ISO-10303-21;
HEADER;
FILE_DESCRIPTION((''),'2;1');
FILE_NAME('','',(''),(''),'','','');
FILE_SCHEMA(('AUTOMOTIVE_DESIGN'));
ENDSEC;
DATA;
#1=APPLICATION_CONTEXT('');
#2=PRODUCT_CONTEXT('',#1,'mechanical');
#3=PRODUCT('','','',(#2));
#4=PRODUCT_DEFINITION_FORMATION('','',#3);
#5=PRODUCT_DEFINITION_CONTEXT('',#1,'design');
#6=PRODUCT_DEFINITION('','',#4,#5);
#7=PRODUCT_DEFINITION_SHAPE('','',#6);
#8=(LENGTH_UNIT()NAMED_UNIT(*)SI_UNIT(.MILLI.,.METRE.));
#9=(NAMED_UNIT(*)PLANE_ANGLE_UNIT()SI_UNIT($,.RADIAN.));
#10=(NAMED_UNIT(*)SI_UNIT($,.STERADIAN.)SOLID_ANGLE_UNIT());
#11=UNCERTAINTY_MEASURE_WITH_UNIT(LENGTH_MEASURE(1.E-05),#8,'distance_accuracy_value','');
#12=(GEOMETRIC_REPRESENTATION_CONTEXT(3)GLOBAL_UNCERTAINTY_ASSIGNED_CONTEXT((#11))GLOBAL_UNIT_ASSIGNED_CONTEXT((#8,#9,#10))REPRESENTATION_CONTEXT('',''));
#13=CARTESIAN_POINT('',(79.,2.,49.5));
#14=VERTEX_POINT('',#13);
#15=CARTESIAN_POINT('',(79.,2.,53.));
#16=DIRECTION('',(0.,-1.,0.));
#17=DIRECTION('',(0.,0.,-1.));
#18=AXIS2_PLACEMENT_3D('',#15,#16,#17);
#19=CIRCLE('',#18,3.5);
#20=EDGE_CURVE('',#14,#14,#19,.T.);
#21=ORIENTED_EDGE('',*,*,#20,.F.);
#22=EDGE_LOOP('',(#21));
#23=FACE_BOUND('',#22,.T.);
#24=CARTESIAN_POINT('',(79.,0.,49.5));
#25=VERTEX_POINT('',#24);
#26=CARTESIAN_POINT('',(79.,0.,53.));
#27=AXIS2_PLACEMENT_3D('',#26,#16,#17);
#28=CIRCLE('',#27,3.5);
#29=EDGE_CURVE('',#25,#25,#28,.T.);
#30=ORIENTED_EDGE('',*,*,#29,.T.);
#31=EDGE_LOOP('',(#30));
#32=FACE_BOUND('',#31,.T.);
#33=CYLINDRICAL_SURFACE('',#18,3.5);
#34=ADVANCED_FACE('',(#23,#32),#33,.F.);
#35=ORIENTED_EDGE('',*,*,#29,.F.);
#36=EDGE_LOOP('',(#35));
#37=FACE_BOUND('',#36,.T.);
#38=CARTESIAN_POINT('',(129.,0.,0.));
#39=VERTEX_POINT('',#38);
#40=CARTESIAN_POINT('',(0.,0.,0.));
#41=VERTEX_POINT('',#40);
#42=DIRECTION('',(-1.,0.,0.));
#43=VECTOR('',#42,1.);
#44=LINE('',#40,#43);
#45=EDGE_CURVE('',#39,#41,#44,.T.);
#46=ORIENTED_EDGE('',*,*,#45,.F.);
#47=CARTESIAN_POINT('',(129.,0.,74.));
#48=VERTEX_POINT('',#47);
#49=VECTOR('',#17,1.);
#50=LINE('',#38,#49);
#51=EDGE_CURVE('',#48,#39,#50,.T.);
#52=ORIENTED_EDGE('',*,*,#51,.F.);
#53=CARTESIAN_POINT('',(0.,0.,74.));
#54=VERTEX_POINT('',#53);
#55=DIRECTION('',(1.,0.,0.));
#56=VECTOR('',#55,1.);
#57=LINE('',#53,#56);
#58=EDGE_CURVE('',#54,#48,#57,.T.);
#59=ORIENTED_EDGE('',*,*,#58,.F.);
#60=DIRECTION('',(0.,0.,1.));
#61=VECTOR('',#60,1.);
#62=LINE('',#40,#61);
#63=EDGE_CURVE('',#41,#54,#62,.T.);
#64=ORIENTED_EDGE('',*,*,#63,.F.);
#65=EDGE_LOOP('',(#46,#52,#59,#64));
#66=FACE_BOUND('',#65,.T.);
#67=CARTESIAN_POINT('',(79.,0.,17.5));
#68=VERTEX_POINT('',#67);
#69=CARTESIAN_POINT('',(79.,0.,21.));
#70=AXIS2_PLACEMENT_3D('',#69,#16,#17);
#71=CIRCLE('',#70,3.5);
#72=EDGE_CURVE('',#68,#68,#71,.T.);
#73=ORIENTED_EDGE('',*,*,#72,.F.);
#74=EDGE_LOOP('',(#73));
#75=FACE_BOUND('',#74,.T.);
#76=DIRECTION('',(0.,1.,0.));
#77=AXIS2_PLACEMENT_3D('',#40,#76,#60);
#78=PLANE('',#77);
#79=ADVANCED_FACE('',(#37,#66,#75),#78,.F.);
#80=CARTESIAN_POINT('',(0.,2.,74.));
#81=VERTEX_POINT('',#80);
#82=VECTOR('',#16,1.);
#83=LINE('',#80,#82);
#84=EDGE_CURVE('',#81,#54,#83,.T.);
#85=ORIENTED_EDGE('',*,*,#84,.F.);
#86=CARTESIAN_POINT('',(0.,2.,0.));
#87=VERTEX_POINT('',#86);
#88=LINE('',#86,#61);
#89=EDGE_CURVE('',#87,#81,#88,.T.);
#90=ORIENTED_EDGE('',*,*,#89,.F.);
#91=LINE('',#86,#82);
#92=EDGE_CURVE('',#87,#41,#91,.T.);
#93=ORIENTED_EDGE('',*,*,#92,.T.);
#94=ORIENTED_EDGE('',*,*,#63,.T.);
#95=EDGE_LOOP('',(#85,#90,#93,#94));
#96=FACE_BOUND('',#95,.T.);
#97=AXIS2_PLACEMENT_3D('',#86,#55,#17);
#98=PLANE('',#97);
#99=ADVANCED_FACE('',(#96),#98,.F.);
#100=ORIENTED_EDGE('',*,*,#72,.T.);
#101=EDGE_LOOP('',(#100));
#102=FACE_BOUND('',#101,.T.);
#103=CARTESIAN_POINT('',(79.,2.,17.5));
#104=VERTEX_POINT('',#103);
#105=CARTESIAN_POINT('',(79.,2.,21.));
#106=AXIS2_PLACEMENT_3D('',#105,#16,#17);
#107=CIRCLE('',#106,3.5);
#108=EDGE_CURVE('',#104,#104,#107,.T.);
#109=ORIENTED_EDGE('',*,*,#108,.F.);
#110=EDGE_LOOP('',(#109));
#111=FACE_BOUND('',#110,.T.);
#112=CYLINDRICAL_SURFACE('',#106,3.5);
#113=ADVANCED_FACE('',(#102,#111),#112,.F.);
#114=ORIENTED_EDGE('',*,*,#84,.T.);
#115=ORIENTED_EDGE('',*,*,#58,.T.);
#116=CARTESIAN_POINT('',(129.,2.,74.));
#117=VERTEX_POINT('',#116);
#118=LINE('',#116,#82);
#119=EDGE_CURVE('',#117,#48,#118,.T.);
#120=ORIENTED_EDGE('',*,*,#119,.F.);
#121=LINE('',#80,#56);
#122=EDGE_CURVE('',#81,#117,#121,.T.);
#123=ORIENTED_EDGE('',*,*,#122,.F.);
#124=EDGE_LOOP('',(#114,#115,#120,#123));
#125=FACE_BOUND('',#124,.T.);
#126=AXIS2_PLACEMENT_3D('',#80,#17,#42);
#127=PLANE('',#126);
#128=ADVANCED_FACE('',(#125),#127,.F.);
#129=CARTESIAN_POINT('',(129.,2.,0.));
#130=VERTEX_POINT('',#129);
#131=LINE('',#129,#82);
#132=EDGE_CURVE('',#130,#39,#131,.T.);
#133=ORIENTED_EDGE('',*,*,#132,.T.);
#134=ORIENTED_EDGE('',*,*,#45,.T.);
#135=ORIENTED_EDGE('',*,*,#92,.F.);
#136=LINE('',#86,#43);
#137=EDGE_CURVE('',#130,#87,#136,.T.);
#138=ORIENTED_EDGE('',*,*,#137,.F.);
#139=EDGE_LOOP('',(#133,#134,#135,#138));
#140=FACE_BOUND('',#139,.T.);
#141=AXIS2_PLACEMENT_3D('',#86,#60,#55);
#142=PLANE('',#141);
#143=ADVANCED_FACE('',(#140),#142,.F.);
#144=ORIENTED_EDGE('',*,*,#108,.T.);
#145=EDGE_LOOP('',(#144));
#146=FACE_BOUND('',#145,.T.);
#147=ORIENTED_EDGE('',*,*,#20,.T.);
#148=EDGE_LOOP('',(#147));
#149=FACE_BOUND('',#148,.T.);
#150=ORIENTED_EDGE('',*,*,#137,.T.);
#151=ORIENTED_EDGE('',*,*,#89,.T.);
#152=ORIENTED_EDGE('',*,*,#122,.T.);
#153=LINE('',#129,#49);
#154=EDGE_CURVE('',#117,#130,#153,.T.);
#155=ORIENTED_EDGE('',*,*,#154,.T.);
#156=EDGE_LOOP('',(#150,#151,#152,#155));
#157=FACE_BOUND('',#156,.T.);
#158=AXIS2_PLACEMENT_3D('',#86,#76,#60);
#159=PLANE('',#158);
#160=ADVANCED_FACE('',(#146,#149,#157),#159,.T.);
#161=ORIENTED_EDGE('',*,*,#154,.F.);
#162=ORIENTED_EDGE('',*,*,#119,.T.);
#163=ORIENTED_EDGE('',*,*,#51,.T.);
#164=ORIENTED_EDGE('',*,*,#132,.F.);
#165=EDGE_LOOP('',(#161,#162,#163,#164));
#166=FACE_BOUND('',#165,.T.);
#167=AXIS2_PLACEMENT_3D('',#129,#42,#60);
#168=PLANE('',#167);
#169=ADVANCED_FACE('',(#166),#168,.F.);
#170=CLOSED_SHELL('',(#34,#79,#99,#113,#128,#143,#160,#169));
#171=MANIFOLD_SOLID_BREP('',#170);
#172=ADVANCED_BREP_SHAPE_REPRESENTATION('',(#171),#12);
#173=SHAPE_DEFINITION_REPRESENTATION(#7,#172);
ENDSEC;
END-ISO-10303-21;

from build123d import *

# Parameters (mm, degrees)
SKETCH1_W           = 129
SKETCH1_H           = 74
BOSS_EXTRUDE1_DEPTH = 2
SKETCH2_R           = 3.5
CUT_EXTRUDE1_DEPTH  = 3


with BuildPart() as part:
    # Sketch1 → Boss-Extrude1 (new body)
    with BuildSketch(Plane(origin=(0, 0, 0), x_dir=(1, 0, 0), z_dir=(0, 1, 0))):
        with Locations((64.5, -37)):
            Rectangle(SKETCH1_W, SKETCH1_H)
    extrude(amount=BOSS_EXTRUDE1_DEPTH)

    # Sketch2 → Cut-Extrude1 (cut, through all)
    with BuildSketch(Plane.XZ):
        with Locations((79, 21)):
            Circle(SKETCH2_R)
        with Locations((79, 53)):
            Circle(SKETCH2_R)
    extrude(amount=-CUT_EXTRUDE1_DEPTH, mode=Mode.SUBTRACT)


solid = part.part
